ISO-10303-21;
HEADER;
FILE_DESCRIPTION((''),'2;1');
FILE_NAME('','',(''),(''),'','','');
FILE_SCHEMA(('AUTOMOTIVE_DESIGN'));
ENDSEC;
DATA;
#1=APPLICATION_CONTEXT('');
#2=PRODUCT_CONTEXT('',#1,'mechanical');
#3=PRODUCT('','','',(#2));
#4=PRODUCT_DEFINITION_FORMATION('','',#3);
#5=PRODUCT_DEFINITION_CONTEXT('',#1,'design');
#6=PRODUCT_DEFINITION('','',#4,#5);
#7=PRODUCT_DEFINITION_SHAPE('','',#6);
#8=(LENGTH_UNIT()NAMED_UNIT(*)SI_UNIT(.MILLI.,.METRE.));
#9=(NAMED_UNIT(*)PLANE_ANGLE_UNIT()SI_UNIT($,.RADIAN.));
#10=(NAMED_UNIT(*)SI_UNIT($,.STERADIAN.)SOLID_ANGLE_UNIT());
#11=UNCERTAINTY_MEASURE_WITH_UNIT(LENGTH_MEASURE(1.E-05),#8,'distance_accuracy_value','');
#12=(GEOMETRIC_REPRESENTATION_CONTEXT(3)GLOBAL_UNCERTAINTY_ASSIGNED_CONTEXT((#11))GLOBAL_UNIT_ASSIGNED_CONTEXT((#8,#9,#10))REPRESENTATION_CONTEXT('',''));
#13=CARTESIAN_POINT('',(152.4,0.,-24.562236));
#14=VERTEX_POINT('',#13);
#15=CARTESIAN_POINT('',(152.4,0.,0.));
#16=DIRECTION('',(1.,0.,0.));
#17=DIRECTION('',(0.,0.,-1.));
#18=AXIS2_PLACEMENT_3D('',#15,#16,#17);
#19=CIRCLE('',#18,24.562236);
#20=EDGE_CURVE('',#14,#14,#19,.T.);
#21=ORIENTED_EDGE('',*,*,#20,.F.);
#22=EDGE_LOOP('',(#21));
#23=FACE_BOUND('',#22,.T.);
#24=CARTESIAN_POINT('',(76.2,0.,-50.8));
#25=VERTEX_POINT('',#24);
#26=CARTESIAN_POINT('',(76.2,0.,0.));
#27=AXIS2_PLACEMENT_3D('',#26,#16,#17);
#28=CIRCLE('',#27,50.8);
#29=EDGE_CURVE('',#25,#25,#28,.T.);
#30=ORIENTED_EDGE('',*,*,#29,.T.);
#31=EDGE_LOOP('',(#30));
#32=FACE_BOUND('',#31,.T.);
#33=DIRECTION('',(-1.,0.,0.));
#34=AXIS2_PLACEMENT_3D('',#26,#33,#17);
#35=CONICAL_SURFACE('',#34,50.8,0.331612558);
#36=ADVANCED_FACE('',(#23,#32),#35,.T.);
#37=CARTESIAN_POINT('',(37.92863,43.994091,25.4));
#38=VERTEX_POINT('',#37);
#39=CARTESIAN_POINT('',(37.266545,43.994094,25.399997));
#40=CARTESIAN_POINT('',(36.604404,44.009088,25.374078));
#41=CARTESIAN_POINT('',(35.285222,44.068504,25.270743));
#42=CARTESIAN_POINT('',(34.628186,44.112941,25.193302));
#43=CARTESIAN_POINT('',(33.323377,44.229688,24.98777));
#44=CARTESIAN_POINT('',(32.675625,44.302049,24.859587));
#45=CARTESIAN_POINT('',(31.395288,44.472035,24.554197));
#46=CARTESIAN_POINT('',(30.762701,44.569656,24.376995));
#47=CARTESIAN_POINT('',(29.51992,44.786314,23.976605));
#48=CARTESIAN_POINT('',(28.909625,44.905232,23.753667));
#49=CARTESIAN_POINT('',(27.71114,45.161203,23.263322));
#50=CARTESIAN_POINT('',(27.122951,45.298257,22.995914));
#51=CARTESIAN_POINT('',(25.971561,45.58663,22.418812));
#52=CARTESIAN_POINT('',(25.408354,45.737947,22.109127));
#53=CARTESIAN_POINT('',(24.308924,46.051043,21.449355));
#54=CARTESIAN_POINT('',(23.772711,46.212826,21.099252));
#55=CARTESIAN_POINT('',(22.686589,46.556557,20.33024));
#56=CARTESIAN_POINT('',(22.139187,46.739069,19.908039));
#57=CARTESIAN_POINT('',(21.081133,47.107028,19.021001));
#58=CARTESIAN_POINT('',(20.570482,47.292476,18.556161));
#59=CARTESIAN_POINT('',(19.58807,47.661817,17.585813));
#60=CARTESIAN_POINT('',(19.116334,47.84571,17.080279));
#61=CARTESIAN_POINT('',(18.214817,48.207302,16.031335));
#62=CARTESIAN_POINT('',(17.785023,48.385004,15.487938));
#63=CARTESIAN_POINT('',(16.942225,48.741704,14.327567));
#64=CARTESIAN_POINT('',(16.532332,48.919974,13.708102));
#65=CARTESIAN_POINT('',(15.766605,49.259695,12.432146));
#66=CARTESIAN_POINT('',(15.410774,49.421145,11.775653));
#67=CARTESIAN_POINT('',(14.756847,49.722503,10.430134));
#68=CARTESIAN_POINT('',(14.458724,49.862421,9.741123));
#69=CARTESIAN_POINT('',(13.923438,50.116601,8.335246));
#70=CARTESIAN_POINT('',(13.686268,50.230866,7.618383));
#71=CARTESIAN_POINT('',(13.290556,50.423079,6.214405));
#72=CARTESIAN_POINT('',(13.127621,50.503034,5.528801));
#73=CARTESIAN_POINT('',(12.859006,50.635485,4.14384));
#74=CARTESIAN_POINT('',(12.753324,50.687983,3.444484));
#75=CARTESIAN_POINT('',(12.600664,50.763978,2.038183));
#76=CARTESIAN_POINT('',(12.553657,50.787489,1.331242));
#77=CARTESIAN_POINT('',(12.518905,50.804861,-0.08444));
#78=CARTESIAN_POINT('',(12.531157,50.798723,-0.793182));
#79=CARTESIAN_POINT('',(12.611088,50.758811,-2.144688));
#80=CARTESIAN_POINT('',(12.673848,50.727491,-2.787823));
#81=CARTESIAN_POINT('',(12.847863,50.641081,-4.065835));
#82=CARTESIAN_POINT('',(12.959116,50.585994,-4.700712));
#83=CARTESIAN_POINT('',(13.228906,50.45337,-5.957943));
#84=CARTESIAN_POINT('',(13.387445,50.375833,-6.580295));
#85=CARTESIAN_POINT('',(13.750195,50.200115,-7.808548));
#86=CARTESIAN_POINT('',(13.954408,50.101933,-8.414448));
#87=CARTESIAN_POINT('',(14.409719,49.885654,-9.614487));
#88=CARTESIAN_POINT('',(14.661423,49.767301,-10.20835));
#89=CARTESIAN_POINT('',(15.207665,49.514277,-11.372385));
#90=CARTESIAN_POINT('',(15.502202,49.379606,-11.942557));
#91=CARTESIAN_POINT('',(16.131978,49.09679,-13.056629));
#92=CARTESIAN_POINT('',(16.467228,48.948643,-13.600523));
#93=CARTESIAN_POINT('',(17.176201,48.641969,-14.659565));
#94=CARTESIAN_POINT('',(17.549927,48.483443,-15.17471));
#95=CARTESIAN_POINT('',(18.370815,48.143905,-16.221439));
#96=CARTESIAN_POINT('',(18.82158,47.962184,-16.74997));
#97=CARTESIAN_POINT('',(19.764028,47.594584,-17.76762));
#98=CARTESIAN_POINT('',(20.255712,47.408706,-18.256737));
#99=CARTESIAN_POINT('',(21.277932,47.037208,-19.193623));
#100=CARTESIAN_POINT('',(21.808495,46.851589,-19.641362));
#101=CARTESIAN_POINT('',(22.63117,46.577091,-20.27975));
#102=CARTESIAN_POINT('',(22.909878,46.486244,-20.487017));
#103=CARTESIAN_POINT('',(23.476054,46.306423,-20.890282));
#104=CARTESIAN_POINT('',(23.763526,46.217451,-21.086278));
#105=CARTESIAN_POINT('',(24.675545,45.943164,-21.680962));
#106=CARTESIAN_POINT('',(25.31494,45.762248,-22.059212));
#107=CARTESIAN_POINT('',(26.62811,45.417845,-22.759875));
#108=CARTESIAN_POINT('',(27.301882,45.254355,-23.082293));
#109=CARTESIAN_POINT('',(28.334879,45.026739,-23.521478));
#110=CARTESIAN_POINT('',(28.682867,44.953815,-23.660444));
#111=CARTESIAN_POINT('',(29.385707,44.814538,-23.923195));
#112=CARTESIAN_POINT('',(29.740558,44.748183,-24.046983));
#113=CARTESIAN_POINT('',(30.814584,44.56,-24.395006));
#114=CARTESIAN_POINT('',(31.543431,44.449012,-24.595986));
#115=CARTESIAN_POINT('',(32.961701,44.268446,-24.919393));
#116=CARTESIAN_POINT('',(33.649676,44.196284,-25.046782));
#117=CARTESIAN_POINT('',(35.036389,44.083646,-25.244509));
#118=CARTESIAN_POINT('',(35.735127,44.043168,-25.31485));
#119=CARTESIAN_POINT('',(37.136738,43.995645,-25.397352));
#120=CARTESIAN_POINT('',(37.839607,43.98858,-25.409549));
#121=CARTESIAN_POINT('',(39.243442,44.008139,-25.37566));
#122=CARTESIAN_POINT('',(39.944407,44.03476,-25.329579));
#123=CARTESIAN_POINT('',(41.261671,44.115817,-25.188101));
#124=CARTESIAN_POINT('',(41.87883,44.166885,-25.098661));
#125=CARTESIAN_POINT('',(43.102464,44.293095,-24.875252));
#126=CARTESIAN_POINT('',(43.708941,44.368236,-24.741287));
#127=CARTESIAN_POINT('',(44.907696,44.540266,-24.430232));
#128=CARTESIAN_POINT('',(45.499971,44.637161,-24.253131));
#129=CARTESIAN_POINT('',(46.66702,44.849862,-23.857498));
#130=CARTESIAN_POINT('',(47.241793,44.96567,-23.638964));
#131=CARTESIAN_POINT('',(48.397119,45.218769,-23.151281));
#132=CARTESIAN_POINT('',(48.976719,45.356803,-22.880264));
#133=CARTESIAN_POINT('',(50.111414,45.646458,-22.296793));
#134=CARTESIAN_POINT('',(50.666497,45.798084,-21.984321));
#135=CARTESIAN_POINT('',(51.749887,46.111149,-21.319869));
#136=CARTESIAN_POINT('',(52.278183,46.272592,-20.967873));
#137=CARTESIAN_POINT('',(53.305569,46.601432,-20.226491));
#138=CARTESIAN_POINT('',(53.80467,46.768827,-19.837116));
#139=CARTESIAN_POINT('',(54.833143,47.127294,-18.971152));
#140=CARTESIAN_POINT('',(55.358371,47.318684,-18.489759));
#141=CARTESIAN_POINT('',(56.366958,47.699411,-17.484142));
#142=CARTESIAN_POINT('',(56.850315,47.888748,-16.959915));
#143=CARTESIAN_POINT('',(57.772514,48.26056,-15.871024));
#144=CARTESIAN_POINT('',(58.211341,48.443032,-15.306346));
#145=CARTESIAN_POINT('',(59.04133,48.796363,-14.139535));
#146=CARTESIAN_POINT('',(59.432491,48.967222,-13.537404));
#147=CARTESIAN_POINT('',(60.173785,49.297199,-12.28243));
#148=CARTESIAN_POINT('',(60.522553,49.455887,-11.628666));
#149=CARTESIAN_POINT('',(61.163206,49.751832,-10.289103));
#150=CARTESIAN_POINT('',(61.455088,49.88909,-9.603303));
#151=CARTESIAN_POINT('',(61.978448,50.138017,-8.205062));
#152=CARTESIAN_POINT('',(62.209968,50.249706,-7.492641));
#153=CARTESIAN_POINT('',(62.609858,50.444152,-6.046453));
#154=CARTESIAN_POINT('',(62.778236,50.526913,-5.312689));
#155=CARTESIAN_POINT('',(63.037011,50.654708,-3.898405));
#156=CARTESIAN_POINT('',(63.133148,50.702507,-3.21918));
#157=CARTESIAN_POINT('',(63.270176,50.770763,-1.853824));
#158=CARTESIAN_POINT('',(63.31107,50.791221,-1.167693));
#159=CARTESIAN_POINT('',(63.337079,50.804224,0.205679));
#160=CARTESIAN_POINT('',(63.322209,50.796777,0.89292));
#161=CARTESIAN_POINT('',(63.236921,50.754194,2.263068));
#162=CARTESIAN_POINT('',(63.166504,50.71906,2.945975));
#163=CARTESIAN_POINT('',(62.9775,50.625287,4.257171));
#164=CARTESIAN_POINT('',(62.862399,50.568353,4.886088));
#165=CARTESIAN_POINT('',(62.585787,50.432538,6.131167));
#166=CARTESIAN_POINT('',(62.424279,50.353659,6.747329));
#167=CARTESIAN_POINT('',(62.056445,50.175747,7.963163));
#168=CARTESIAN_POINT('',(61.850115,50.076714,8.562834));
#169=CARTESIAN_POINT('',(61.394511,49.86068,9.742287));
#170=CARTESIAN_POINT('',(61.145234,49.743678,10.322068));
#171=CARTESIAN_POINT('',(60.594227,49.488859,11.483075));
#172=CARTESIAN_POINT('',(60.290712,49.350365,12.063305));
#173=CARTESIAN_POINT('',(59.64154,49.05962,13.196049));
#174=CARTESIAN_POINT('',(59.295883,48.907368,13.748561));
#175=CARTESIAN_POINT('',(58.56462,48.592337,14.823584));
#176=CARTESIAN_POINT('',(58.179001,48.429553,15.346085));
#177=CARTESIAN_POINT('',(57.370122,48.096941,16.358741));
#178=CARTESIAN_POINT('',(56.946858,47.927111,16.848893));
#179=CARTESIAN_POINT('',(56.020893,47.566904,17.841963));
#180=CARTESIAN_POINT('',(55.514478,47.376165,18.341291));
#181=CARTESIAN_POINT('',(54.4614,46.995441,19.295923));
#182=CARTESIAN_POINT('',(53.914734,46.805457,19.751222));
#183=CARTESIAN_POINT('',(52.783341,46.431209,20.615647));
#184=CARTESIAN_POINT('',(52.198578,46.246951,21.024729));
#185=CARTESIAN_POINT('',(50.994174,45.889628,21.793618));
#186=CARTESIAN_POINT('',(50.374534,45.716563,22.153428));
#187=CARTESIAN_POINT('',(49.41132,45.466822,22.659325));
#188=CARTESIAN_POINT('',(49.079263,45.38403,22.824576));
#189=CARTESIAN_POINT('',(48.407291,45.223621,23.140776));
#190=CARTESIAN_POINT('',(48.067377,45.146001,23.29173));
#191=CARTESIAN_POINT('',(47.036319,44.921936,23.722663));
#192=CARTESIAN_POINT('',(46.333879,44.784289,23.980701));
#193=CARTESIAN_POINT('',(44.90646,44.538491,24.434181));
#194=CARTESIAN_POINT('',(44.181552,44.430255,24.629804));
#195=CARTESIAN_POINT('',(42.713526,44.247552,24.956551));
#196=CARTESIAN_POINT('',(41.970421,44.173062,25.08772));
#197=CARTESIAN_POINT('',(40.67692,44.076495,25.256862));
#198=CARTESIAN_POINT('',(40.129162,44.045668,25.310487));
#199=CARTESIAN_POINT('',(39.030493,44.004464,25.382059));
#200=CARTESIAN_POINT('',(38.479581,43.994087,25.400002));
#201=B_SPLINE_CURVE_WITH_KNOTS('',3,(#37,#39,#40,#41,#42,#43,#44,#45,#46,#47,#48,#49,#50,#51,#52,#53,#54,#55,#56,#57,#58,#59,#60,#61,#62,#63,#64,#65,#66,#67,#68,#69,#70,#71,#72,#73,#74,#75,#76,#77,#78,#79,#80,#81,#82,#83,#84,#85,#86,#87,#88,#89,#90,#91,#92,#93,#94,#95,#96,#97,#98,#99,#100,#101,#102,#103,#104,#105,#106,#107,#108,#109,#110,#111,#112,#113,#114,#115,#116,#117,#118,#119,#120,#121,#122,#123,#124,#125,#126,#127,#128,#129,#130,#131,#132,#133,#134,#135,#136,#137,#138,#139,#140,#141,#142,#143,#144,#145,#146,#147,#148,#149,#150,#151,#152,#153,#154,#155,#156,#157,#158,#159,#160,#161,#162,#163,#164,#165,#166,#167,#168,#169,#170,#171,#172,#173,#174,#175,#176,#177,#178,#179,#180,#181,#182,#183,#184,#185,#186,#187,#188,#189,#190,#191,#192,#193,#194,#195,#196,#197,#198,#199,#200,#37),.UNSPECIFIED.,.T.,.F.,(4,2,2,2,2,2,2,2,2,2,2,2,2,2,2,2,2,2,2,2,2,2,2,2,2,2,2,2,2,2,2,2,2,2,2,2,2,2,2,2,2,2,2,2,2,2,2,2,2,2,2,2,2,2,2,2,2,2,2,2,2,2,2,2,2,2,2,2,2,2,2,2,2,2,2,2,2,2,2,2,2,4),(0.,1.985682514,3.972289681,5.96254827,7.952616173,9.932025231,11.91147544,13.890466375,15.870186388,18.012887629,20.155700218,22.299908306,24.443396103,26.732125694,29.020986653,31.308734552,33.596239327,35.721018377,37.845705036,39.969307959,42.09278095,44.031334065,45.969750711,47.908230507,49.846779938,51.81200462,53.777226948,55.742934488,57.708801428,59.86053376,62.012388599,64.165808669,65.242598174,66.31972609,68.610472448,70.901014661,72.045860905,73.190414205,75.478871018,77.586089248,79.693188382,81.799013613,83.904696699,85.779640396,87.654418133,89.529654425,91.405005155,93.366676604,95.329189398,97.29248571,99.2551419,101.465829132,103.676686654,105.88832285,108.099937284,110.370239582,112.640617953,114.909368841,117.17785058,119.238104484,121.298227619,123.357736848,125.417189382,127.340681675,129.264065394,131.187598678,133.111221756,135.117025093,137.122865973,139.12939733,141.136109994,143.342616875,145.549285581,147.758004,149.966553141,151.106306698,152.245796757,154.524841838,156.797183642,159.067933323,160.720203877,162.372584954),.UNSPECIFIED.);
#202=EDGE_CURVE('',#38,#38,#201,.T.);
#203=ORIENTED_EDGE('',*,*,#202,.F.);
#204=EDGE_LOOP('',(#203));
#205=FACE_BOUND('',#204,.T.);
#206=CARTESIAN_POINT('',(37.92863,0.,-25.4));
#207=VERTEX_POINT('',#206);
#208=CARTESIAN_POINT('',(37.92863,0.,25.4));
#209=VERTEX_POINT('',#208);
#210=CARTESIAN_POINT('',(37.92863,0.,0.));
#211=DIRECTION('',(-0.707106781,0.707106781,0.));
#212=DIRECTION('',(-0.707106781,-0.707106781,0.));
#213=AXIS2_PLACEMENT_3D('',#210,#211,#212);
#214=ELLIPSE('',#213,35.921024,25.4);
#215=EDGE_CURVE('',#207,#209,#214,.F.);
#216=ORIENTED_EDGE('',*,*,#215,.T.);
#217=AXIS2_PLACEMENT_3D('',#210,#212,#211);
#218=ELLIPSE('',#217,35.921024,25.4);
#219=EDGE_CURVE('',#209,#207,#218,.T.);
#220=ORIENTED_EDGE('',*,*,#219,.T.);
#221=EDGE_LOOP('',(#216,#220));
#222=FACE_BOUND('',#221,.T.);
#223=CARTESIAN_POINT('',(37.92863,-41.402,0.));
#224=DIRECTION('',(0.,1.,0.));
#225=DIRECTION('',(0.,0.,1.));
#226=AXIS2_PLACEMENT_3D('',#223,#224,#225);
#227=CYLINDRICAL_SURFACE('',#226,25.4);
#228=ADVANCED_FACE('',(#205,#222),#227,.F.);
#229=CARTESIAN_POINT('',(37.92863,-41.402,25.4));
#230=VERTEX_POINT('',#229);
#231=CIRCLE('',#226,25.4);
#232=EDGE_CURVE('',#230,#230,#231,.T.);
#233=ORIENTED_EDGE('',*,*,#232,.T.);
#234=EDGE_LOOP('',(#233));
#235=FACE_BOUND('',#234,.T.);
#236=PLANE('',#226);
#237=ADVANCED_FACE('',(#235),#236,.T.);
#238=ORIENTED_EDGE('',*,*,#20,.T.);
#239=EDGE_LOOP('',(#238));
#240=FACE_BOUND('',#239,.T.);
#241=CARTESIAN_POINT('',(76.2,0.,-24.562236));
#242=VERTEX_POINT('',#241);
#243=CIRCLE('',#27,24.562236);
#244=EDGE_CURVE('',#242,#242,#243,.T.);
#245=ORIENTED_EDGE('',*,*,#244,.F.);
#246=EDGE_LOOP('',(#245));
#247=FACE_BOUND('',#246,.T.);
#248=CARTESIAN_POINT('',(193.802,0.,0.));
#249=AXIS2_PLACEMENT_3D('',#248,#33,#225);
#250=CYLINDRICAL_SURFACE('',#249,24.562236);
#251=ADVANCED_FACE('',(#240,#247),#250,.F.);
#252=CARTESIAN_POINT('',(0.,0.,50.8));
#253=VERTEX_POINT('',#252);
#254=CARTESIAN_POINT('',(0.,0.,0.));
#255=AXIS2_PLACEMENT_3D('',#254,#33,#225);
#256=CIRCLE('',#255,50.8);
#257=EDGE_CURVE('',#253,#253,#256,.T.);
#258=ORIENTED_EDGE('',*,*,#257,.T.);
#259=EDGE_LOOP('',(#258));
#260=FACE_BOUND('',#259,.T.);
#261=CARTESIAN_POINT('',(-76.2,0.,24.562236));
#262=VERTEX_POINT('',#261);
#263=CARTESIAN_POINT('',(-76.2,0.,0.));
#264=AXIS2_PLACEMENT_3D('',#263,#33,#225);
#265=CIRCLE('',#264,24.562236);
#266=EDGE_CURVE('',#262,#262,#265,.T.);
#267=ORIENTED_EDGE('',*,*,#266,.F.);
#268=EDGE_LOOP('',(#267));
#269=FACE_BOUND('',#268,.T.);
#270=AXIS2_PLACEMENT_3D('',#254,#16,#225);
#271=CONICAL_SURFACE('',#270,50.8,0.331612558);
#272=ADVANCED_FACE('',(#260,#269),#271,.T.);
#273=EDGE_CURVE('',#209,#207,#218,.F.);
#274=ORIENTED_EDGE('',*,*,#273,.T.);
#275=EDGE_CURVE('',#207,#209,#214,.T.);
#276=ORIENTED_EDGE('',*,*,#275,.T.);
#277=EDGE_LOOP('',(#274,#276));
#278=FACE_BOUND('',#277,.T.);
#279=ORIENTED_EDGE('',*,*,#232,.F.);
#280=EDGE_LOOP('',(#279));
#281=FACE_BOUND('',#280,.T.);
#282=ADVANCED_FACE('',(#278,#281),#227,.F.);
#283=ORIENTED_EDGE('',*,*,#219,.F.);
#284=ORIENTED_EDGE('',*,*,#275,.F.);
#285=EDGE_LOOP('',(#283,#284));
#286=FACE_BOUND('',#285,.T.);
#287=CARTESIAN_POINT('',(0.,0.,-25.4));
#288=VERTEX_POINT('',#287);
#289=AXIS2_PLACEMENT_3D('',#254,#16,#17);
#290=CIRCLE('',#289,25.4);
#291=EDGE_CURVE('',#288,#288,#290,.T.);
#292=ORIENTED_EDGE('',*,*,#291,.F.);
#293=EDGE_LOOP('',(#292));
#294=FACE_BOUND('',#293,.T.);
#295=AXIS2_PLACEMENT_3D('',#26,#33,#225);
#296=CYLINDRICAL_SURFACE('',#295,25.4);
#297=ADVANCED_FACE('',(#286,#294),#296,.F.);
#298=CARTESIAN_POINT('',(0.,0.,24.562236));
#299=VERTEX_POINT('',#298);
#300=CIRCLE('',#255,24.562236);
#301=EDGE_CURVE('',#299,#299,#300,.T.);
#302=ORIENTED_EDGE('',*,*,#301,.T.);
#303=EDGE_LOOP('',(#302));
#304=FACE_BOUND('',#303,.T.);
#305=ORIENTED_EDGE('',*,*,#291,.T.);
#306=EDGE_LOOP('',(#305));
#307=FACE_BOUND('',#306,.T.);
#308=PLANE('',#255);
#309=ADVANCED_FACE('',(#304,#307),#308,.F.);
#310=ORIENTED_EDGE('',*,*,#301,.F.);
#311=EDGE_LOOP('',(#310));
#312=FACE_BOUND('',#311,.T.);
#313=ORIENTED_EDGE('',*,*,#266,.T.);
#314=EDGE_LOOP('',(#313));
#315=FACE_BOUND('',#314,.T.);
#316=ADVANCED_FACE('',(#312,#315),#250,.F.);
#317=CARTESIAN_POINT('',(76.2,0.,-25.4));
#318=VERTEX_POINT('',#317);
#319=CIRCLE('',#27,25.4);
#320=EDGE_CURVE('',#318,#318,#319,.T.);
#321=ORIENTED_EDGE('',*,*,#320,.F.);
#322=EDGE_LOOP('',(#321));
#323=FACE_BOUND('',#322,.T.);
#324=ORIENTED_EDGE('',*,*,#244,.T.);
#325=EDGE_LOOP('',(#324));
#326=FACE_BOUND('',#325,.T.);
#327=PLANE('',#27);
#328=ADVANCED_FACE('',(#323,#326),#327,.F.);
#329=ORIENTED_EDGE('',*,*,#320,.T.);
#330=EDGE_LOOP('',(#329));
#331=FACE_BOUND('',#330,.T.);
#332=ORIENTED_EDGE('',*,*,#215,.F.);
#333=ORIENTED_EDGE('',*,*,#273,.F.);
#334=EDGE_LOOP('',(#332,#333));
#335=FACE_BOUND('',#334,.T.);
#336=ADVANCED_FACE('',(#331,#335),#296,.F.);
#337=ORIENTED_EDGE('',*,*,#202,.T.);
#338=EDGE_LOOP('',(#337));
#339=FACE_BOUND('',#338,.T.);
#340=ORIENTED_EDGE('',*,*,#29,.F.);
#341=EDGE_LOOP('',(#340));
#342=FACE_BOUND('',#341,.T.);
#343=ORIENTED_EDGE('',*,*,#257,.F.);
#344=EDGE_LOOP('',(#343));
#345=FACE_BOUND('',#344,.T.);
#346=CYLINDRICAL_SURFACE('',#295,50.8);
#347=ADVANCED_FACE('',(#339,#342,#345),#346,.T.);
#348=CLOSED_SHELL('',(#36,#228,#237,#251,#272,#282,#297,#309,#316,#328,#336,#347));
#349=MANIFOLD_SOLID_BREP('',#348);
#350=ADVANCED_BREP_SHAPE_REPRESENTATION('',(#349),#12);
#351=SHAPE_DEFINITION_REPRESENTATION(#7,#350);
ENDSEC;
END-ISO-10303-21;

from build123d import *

# Parameters (mm, degrees)
SKETCH1_R           = 50.8
SKETCH1_R_2         = 25.4
BOSS_EXTRUDE1_DEPTH = 76.2
SKETCH2_R           = 50.8
BOSS_EXTRUDE2_DEPTH = 76.2
BOSS_EXTRUDE2_TAPER = 19
SKETCH3_R           = 50.8
BOSS_EXTRUDE3_DEPTH = 76.2
BOSS_EXTRUDE3_TAPER = 19
SKETCH4_R           = 24.562235867
CUT_EXTRUDE1_DEPTH  = 270.002
SKETCH5_R           = 25.4
CUT_EXTRUDE2_DEPTH  = 295.402


with BuildPart() as part:
    # Sketch1 → Boss-Extrude1 (new body)
    with BuildSketch(Plane(origin=(0, 0, 0), x_dir=(0, 0, -1), z_dir=(1, 0, 0))):
        with Locations(Location((0, 0, 0), (0, 0, 180))):
            Circle(SKETCH1_R)
        with Locations(Location((0, 0, 0), (0, 0, 180))):
            Circle(SKETCH1_R_2, mode=Mode.SUBTRACT)
    extrude(amount=BOSS_EXTRUDE1_DEPTH)

    # Sketch2 → Boss-Extrude2 (add)
    with BuildSketch(Plane.ZY):
        Circle(SKETCH2_R)
    extrude(amount=BOSS_EXTRUDE2_DEPTH, taper=BOSS_EXTRUDE2_TAPER)

    # Sketch3 → Boss-Extrude3 (add)
    with BuildSketch(Plane(origin=(76.2, 0, 0), x_dir=(0, 0, -1), z_dir=(1, 0, 0))):
        with Locations(Location((0, 0, 0), (0, 0, 180))):
            Circle(SKETCH3_R)
    extrude(amount=BOSS_EXTRUDE3_DEPTH, taper=BOSS_EXTRUDE3_TAPER)

    # Sketch4 → Cut-Extrude1 (cut)
    with BuildSketch(Plane.ZY.offset(76.2)):
        with Locations(Location((0, 0, 0), (0, 0, 180))):
            Circle(SKETCH4_R)
    extrude(amount=-CUT_EXTRUDE1_DEPTH, mode=Mode.SUBTRACT)

    # Sketch5 → Cut-Extrude2 (cut)
    with BuildSketch(Plane(origin=(0, 254, 0), x_dir=(1, 0, 0), z_dir=(0, 1, 0))):
        with Locations(Location((37.928629542, 0, 0), (0, 0, 270))):
            Circle(SKETCH5_R)
    extrude(amount=-CUT_EXTRUDE2_DEPTH, mode=Mode.SUBTRACT)


solid = part.part
